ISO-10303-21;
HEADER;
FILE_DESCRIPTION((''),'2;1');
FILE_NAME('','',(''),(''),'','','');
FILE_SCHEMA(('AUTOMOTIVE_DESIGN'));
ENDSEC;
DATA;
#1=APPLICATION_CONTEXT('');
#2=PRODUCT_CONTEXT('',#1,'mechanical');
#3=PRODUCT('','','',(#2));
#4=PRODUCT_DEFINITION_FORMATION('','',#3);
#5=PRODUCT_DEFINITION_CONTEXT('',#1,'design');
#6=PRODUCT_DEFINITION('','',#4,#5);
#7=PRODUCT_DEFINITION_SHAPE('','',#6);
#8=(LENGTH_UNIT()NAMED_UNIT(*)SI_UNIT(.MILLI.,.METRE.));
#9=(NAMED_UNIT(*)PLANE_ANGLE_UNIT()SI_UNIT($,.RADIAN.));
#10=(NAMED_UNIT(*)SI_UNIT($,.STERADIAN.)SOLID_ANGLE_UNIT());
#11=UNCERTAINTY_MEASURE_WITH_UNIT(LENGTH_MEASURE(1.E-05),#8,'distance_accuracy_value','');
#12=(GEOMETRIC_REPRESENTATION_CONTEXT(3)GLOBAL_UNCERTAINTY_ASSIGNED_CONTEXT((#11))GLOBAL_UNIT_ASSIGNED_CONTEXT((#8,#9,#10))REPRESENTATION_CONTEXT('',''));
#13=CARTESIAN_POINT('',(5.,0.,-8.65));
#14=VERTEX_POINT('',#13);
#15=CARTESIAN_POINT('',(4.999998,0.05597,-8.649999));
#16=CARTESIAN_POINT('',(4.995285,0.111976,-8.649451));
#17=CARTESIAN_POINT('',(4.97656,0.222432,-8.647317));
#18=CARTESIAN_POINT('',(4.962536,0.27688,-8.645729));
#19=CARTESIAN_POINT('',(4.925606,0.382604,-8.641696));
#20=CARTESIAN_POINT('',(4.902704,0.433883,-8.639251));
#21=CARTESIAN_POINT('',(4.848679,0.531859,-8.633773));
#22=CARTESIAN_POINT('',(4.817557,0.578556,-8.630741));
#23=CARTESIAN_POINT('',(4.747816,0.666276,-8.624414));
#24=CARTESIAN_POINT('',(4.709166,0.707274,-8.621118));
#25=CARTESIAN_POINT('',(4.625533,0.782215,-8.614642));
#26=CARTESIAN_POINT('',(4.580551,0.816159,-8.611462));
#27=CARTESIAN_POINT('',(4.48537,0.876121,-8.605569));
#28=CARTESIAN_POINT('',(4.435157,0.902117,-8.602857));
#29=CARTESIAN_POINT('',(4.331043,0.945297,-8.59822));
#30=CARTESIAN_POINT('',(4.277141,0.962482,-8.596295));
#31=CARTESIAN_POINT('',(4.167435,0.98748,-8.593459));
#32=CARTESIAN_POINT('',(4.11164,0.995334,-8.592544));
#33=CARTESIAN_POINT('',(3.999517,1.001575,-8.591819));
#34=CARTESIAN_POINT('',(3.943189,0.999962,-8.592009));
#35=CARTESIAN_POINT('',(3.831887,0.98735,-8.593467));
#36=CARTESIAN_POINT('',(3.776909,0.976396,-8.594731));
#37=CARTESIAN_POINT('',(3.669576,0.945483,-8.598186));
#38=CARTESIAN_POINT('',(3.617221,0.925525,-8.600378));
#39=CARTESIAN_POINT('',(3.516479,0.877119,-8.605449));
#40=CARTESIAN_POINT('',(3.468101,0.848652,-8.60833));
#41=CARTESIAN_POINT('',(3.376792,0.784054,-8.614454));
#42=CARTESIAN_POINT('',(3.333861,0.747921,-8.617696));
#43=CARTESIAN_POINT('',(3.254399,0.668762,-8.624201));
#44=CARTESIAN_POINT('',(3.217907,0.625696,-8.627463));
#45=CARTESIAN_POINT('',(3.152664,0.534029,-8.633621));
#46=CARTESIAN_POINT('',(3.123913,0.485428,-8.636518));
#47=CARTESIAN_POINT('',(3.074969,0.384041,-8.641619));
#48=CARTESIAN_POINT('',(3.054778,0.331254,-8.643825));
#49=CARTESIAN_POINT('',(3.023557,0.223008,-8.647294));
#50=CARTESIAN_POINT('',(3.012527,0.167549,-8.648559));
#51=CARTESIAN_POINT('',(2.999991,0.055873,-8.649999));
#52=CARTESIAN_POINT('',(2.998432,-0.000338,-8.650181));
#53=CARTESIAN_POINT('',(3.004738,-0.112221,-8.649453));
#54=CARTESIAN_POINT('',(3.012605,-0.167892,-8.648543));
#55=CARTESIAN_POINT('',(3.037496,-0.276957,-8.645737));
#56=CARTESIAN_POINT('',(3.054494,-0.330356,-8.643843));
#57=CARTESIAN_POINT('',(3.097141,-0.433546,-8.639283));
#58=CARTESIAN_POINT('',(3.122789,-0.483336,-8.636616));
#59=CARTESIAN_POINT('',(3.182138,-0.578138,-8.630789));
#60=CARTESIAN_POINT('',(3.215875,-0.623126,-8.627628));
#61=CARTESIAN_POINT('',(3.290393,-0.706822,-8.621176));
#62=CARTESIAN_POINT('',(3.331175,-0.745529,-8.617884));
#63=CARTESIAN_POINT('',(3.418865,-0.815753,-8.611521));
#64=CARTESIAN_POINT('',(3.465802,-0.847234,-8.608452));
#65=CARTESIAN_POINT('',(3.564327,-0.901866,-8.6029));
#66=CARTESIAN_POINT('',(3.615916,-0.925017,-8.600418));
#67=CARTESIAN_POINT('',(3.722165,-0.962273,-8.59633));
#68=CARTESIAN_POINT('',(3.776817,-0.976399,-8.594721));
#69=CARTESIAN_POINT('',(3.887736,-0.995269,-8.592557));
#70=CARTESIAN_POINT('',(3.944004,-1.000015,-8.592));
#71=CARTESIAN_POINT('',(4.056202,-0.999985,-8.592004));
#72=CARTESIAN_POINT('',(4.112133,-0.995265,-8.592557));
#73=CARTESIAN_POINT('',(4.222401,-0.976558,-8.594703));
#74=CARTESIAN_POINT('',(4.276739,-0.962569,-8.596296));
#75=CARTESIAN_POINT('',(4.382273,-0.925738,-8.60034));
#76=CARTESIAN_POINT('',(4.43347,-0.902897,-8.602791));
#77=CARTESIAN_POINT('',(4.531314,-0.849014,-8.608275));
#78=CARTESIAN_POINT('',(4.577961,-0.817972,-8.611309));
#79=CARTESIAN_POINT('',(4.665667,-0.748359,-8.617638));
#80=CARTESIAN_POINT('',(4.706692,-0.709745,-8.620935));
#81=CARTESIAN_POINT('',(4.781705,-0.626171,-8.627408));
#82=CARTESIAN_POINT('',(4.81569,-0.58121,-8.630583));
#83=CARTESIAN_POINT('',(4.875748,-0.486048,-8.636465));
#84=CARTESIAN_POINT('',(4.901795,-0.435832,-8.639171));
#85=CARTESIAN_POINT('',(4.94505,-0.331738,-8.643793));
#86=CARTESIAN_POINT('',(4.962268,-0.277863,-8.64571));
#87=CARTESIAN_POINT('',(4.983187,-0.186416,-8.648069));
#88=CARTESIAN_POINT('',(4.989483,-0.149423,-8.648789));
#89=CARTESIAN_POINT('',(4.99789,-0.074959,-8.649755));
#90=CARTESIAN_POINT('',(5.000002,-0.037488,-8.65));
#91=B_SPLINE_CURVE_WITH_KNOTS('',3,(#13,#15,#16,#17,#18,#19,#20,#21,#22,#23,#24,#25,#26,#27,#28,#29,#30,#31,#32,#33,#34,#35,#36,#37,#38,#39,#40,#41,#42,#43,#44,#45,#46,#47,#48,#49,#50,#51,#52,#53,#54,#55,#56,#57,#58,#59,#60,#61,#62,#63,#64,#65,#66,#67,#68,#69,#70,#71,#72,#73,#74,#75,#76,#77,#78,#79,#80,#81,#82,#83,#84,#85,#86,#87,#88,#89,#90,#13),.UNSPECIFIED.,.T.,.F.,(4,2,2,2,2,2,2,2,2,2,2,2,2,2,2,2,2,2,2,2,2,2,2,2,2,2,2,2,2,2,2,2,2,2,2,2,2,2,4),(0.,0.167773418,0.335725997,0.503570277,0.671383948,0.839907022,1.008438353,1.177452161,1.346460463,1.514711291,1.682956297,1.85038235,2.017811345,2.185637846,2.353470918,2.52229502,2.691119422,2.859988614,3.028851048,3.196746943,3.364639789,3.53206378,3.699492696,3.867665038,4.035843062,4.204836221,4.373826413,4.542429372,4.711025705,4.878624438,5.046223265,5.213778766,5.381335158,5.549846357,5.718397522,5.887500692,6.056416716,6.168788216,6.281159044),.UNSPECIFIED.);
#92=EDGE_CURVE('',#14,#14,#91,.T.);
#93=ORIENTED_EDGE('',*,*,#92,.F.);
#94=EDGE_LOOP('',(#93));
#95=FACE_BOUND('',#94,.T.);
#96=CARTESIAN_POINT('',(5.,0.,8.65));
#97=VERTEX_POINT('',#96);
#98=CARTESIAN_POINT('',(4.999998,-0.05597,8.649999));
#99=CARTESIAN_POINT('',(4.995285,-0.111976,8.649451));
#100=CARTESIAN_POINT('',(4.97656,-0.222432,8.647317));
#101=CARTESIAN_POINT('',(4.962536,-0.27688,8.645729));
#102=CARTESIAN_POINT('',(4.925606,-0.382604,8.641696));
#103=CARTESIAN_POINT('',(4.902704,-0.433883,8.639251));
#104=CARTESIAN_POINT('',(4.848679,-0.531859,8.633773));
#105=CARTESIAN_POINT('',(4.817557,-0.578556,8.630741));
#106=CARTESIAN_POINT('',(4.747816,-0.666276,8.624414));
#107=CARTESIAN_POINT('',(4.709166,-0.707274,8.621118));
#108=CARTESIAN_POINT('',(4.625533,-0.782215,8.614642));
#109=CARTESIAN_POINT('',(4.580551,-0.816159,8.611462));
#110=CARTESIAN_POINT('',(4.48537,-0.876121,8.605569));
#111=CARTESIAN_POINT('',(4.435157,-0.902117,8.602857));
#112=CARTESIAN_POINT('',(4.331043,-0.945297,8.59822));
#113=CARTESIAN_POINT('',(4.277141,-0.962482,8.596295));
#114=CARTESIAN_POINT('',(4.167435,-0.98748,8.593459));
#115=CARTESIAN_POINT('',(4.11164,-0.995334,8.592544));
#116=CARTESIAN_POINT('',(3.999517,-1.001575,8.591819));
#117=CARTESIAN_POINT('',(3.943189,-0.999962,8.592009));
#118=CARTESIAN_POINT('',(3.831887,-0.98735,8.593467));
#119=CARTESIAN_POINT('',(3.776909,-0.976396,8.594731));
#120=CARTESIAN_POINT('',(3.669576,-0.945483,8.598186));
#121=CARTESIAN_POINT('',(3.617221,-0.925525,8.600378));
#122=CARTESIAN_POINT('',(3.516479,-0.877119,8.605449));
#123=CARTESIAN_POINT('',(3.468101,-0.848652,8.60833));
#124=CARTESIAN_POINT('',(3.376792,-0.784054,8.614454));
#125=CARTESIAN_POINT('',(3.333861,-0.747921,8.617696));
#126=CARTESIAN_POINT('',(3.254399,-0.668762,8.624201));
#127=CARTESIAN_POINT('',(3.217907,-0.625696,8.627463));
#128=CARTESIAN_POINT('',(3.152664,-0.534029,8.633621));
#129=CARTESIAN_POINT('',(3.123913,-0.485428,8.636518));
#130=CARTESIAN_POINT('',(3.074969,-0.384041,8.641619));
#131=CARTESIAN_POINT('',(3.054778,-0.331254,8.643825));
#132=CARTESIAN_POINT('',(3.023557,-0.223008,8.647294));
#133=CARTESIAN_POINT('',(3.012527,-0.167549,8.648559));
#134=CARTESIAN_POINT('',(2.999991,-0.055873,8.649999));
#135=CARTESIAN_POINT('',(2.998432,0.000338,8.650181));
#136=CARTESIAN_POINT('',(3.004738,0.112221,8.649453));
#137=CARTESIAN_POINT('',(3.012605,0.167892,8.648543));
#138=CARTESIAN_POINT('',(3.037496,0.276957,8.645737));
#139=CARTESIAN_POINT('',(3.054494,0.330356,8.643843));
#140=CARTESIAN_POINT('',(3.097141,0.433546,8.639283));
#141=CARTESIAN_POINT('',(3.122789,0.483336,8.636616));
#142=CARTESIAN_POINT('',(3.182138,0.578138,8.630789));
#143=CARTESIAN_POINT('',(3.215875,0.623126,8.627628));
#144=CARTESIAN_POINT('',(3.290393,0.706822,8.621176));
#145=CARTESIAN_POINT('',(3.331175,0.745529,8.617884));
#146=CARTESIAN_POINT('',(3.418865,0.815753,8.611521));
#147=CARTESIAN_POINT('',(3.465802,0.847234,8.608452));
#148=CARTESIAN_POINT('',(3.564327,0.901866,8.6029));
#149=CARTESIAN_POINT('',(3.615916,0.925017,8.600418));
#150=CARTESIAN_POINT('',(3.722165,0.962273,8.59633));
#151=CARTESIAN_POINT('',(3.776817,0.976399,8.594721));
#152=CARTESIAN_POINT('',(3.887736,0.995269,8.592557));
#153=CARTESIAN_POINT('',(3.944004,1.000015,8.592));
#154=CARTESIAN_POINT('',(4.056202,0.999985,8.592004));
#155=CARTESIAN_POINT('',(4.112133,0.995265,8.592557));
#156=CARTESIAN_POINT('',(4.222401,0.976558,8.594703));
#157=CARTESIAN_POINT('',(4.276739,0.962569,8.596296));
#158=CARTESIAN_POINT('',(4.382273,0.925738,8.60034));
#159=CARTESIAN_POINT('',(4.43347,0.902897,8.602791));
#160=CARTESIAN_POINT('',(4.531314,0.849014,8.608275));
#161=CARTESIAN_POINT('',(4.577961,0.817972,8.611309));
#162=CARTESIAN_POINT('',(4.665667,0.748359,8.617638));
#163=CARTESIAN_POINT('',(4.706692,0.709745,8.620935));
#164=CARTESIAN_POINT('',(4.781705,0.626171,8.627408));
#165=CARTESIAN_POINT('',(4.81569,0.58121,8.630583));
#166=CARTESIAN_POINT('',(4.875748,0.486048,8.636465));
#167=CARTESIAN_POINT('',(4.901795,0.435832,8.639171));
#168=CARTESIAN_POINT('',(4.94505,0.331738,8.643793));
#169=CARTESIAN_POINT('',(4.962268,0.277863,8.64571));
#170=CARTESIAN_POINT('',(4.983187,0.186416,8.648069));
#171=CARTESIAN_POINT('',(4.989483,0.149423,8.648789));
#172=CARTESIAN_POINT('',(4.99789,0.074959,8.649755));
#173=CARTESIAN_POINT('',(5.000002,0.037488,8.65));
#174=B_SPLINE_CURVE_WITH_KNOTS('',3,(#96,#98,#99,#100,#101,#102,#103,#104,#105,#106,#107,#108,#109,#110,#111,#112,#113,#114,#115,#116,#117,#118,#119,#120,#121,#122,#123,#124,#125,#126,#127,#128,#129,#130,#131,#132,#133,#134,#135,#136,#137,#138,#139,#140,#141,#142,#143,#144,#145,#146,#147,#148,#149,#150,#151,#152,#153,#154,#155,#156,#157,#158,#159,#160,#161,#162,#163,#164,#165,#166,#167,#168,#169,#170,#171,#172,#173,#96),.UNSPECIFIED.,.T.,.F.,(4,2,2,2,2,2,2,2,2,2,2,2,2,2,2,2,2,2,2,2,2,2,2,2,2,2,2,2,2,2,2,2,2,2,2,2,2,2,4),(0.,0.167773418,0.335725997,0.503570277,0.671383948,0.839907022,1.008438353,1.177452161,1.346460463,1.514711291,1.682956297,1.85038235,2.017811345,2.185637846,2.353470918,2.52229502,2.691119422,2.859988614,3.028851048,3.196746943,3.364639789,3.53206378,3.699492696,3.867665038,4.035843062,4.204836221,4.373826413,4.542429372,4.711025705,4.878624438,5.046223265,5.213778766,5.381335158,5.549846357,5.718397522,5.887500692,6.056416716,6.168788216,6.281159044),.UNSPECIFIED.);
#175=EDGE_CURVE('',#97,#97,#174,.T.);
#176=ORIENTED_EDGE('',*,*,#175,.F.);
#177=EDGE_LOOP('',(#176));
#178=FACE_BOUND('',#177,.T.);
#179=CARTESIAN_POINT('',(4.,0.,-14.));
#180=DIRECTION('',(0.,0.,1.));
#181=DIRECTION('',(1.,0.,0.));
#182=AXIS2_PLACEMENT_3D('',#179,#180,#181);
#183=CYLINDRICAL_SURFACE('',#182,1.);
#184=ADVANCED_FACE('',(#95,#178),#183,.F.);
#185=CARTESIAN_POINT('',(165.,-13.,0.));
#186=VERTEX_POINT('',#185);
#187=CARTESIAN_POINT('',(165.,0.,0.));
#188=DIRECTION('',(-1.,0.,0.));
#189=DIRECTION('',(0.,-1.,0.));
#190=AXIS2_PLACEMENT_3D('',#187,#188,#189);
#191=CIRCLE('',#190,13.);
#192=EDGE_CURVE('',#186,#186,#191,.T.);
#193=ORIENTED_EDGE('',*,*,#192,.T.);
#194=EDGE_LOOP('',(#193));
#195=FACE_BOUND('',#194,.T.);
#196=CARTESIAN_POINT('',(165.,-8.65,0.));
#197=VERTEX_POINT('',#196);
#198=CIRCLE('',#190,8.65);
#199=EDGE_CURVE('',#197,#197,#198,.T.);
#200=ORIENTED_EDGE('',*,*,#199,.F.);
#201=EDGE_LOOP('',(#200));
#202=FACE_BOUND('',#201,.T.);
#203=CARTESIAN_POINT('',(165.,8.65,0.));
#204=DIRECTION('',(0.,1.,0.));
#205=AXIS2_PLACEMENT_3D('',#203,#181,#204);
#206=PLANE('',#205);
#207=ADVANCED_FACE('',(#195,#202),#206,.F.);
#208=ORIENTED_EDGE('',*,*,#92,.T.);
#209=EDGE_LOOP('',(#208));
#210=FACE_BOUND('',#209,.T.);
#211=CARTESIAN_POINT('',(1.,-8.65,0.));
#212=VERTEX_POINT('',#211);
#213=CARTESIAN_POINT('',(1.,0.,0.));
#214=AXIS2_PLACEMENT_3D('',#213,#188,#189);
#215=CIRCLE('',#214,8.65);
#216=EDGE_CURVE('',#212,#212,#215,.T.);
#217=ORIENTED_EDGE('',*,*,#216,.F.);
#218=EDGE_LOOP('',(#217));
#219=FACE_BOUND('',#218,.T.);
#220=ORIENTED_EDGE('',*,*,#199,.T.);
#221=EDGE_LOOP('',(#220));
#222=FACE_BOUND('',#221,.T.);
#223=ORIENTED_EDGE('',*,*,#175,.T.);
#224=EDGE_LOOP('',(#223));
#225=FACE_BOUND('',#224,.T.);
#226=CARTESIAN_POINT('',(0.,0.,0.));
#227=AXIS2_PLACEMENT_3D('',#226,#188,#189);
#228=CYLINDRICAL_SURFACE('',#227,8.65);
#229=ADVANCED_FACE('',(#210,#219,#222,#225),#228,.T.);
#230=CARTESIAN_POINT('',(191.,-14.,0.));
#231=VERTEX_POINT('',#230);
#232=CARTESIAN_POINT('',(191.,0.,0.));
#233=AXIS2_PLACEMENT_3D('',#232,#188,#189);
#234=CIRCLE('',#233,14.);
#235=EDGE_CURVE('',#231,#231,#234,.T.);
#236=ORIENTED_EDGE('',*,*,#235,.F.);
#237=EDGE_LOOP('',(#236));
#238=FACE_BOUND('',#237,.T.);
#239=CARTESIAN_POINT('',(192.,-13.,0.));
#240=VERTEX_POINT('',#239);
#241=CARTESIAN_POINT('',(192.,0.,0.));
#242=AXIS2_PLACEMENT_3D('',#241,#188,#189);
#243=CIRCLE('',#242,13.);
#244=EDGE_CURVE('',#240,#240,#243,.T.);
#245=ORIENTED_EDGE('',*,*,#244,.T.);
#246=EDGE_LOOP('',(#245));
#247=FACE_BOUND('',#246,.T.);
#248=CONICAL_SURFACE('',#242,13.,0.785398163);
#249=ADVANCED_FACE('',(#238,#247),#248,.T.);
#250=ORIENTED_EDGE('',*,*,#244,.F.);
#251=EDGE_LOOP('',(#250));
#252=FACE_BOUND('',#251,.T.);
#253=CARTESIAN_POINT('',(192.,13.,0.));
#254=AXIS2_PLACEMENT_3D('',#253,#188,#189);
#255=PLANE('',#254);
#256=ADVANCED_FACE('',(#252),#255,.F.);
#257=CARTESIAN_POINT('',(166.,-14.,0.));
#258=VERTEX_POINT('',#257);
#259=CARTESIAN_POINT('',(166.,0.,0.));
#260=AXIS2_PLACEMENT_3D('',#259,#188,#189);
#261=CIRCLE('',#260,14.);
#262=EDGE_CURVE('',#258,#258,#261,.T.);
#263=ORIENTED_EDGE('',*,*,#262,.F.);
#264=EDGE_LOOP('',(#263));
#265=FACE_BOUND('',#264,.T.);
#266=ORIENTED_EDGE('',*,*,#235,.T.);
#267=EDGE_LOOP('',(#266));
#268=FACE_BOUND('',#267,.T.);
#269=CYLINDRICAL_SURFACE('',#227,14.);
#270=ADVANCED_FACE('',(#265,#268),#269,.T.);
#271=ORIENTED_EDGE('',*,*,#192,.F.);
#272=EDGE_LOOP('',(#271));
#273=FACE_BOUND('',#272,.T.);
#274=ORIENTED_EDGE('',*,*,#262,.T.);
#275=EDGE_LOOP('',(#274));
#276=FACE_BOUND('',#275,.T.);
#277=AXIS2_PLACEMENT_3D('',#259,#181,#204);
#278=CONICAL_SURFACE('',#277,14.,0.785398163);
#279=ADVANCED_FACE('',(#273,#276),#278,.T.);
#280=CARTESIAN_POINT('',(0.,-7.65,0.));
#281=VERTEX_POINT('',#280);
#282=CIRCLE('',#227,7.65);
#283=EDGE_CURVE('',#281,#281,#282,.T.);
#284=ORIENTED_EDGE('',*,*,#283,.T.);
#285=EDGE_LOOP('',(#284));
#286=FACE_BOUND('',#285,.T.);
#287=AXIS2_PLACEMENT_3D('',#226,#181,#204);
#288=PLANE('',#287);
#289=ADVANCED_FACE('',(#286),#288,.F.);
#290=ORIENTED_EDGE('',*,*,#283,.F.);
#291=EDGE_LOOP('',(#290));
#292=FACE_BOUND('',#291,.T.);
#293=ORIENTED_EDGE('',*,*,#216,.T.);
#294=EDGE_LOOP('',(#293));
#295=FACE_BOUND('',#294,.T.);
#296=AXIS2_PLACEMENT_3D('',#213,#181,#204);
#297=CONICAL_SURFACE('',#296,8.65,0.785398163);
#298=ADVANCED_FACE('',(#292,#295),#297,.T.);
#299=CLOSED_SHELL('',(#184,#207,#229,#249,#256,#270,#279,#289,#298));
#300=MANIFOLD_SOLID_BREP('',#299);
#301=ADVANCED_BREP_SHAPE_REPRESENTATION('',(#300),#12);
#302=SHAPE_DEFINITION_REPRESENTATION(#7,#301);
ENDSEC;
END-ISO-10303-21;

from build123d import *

# Parameters (mm, degrees)
ESQUISSE2_R                  = 1
ENL_V_MAT_EXTRU_1_DEPTH      = 15
ENL_V_MAT_EXTRU_1_DEPTH_BACK = 15


with BuildPart() as part:
    # Esquisse1 → Révolution1 (revolve)
    with BuildSketch(Plane.XY, mode=Mode.PRIVATE) as r_volution1_sk:
        Polygon((0, 0), (0, 7.65), (1, 8.65), (165, 8.65), (165, 13), (166, 14), (191, 14), (192, 13), (192, 0), align=None)
    revolve(r_volution1_sk.sketch.rotate(Axis((0, 0, 0), (1, 0, 0)), 180), axis=Axis((0, 0, 0), (1, 0, 0)))  # turned: the seam where the file's is

    # Esquisse2 → Enlèv. mat.-Extru.1 (cut, two sides)
    with BuildSketch(Plane.XY) as enl_v_mat_extru_1_sk:
        with Locations((4, 0)):
            Circle(ESQUISSE2_R)
    extrude(amount=ENL_V_MAT_EXTRU_1_DEPTH, mode=Mode.SUBTRACT)
    extrude(enl_v_mat_extru_1_sk.sketch, amount=-ENL_V_MAT_EXTRU_1_DEPTH_BACK, mode=Mode.SUBTRACT)


solid = part.part
